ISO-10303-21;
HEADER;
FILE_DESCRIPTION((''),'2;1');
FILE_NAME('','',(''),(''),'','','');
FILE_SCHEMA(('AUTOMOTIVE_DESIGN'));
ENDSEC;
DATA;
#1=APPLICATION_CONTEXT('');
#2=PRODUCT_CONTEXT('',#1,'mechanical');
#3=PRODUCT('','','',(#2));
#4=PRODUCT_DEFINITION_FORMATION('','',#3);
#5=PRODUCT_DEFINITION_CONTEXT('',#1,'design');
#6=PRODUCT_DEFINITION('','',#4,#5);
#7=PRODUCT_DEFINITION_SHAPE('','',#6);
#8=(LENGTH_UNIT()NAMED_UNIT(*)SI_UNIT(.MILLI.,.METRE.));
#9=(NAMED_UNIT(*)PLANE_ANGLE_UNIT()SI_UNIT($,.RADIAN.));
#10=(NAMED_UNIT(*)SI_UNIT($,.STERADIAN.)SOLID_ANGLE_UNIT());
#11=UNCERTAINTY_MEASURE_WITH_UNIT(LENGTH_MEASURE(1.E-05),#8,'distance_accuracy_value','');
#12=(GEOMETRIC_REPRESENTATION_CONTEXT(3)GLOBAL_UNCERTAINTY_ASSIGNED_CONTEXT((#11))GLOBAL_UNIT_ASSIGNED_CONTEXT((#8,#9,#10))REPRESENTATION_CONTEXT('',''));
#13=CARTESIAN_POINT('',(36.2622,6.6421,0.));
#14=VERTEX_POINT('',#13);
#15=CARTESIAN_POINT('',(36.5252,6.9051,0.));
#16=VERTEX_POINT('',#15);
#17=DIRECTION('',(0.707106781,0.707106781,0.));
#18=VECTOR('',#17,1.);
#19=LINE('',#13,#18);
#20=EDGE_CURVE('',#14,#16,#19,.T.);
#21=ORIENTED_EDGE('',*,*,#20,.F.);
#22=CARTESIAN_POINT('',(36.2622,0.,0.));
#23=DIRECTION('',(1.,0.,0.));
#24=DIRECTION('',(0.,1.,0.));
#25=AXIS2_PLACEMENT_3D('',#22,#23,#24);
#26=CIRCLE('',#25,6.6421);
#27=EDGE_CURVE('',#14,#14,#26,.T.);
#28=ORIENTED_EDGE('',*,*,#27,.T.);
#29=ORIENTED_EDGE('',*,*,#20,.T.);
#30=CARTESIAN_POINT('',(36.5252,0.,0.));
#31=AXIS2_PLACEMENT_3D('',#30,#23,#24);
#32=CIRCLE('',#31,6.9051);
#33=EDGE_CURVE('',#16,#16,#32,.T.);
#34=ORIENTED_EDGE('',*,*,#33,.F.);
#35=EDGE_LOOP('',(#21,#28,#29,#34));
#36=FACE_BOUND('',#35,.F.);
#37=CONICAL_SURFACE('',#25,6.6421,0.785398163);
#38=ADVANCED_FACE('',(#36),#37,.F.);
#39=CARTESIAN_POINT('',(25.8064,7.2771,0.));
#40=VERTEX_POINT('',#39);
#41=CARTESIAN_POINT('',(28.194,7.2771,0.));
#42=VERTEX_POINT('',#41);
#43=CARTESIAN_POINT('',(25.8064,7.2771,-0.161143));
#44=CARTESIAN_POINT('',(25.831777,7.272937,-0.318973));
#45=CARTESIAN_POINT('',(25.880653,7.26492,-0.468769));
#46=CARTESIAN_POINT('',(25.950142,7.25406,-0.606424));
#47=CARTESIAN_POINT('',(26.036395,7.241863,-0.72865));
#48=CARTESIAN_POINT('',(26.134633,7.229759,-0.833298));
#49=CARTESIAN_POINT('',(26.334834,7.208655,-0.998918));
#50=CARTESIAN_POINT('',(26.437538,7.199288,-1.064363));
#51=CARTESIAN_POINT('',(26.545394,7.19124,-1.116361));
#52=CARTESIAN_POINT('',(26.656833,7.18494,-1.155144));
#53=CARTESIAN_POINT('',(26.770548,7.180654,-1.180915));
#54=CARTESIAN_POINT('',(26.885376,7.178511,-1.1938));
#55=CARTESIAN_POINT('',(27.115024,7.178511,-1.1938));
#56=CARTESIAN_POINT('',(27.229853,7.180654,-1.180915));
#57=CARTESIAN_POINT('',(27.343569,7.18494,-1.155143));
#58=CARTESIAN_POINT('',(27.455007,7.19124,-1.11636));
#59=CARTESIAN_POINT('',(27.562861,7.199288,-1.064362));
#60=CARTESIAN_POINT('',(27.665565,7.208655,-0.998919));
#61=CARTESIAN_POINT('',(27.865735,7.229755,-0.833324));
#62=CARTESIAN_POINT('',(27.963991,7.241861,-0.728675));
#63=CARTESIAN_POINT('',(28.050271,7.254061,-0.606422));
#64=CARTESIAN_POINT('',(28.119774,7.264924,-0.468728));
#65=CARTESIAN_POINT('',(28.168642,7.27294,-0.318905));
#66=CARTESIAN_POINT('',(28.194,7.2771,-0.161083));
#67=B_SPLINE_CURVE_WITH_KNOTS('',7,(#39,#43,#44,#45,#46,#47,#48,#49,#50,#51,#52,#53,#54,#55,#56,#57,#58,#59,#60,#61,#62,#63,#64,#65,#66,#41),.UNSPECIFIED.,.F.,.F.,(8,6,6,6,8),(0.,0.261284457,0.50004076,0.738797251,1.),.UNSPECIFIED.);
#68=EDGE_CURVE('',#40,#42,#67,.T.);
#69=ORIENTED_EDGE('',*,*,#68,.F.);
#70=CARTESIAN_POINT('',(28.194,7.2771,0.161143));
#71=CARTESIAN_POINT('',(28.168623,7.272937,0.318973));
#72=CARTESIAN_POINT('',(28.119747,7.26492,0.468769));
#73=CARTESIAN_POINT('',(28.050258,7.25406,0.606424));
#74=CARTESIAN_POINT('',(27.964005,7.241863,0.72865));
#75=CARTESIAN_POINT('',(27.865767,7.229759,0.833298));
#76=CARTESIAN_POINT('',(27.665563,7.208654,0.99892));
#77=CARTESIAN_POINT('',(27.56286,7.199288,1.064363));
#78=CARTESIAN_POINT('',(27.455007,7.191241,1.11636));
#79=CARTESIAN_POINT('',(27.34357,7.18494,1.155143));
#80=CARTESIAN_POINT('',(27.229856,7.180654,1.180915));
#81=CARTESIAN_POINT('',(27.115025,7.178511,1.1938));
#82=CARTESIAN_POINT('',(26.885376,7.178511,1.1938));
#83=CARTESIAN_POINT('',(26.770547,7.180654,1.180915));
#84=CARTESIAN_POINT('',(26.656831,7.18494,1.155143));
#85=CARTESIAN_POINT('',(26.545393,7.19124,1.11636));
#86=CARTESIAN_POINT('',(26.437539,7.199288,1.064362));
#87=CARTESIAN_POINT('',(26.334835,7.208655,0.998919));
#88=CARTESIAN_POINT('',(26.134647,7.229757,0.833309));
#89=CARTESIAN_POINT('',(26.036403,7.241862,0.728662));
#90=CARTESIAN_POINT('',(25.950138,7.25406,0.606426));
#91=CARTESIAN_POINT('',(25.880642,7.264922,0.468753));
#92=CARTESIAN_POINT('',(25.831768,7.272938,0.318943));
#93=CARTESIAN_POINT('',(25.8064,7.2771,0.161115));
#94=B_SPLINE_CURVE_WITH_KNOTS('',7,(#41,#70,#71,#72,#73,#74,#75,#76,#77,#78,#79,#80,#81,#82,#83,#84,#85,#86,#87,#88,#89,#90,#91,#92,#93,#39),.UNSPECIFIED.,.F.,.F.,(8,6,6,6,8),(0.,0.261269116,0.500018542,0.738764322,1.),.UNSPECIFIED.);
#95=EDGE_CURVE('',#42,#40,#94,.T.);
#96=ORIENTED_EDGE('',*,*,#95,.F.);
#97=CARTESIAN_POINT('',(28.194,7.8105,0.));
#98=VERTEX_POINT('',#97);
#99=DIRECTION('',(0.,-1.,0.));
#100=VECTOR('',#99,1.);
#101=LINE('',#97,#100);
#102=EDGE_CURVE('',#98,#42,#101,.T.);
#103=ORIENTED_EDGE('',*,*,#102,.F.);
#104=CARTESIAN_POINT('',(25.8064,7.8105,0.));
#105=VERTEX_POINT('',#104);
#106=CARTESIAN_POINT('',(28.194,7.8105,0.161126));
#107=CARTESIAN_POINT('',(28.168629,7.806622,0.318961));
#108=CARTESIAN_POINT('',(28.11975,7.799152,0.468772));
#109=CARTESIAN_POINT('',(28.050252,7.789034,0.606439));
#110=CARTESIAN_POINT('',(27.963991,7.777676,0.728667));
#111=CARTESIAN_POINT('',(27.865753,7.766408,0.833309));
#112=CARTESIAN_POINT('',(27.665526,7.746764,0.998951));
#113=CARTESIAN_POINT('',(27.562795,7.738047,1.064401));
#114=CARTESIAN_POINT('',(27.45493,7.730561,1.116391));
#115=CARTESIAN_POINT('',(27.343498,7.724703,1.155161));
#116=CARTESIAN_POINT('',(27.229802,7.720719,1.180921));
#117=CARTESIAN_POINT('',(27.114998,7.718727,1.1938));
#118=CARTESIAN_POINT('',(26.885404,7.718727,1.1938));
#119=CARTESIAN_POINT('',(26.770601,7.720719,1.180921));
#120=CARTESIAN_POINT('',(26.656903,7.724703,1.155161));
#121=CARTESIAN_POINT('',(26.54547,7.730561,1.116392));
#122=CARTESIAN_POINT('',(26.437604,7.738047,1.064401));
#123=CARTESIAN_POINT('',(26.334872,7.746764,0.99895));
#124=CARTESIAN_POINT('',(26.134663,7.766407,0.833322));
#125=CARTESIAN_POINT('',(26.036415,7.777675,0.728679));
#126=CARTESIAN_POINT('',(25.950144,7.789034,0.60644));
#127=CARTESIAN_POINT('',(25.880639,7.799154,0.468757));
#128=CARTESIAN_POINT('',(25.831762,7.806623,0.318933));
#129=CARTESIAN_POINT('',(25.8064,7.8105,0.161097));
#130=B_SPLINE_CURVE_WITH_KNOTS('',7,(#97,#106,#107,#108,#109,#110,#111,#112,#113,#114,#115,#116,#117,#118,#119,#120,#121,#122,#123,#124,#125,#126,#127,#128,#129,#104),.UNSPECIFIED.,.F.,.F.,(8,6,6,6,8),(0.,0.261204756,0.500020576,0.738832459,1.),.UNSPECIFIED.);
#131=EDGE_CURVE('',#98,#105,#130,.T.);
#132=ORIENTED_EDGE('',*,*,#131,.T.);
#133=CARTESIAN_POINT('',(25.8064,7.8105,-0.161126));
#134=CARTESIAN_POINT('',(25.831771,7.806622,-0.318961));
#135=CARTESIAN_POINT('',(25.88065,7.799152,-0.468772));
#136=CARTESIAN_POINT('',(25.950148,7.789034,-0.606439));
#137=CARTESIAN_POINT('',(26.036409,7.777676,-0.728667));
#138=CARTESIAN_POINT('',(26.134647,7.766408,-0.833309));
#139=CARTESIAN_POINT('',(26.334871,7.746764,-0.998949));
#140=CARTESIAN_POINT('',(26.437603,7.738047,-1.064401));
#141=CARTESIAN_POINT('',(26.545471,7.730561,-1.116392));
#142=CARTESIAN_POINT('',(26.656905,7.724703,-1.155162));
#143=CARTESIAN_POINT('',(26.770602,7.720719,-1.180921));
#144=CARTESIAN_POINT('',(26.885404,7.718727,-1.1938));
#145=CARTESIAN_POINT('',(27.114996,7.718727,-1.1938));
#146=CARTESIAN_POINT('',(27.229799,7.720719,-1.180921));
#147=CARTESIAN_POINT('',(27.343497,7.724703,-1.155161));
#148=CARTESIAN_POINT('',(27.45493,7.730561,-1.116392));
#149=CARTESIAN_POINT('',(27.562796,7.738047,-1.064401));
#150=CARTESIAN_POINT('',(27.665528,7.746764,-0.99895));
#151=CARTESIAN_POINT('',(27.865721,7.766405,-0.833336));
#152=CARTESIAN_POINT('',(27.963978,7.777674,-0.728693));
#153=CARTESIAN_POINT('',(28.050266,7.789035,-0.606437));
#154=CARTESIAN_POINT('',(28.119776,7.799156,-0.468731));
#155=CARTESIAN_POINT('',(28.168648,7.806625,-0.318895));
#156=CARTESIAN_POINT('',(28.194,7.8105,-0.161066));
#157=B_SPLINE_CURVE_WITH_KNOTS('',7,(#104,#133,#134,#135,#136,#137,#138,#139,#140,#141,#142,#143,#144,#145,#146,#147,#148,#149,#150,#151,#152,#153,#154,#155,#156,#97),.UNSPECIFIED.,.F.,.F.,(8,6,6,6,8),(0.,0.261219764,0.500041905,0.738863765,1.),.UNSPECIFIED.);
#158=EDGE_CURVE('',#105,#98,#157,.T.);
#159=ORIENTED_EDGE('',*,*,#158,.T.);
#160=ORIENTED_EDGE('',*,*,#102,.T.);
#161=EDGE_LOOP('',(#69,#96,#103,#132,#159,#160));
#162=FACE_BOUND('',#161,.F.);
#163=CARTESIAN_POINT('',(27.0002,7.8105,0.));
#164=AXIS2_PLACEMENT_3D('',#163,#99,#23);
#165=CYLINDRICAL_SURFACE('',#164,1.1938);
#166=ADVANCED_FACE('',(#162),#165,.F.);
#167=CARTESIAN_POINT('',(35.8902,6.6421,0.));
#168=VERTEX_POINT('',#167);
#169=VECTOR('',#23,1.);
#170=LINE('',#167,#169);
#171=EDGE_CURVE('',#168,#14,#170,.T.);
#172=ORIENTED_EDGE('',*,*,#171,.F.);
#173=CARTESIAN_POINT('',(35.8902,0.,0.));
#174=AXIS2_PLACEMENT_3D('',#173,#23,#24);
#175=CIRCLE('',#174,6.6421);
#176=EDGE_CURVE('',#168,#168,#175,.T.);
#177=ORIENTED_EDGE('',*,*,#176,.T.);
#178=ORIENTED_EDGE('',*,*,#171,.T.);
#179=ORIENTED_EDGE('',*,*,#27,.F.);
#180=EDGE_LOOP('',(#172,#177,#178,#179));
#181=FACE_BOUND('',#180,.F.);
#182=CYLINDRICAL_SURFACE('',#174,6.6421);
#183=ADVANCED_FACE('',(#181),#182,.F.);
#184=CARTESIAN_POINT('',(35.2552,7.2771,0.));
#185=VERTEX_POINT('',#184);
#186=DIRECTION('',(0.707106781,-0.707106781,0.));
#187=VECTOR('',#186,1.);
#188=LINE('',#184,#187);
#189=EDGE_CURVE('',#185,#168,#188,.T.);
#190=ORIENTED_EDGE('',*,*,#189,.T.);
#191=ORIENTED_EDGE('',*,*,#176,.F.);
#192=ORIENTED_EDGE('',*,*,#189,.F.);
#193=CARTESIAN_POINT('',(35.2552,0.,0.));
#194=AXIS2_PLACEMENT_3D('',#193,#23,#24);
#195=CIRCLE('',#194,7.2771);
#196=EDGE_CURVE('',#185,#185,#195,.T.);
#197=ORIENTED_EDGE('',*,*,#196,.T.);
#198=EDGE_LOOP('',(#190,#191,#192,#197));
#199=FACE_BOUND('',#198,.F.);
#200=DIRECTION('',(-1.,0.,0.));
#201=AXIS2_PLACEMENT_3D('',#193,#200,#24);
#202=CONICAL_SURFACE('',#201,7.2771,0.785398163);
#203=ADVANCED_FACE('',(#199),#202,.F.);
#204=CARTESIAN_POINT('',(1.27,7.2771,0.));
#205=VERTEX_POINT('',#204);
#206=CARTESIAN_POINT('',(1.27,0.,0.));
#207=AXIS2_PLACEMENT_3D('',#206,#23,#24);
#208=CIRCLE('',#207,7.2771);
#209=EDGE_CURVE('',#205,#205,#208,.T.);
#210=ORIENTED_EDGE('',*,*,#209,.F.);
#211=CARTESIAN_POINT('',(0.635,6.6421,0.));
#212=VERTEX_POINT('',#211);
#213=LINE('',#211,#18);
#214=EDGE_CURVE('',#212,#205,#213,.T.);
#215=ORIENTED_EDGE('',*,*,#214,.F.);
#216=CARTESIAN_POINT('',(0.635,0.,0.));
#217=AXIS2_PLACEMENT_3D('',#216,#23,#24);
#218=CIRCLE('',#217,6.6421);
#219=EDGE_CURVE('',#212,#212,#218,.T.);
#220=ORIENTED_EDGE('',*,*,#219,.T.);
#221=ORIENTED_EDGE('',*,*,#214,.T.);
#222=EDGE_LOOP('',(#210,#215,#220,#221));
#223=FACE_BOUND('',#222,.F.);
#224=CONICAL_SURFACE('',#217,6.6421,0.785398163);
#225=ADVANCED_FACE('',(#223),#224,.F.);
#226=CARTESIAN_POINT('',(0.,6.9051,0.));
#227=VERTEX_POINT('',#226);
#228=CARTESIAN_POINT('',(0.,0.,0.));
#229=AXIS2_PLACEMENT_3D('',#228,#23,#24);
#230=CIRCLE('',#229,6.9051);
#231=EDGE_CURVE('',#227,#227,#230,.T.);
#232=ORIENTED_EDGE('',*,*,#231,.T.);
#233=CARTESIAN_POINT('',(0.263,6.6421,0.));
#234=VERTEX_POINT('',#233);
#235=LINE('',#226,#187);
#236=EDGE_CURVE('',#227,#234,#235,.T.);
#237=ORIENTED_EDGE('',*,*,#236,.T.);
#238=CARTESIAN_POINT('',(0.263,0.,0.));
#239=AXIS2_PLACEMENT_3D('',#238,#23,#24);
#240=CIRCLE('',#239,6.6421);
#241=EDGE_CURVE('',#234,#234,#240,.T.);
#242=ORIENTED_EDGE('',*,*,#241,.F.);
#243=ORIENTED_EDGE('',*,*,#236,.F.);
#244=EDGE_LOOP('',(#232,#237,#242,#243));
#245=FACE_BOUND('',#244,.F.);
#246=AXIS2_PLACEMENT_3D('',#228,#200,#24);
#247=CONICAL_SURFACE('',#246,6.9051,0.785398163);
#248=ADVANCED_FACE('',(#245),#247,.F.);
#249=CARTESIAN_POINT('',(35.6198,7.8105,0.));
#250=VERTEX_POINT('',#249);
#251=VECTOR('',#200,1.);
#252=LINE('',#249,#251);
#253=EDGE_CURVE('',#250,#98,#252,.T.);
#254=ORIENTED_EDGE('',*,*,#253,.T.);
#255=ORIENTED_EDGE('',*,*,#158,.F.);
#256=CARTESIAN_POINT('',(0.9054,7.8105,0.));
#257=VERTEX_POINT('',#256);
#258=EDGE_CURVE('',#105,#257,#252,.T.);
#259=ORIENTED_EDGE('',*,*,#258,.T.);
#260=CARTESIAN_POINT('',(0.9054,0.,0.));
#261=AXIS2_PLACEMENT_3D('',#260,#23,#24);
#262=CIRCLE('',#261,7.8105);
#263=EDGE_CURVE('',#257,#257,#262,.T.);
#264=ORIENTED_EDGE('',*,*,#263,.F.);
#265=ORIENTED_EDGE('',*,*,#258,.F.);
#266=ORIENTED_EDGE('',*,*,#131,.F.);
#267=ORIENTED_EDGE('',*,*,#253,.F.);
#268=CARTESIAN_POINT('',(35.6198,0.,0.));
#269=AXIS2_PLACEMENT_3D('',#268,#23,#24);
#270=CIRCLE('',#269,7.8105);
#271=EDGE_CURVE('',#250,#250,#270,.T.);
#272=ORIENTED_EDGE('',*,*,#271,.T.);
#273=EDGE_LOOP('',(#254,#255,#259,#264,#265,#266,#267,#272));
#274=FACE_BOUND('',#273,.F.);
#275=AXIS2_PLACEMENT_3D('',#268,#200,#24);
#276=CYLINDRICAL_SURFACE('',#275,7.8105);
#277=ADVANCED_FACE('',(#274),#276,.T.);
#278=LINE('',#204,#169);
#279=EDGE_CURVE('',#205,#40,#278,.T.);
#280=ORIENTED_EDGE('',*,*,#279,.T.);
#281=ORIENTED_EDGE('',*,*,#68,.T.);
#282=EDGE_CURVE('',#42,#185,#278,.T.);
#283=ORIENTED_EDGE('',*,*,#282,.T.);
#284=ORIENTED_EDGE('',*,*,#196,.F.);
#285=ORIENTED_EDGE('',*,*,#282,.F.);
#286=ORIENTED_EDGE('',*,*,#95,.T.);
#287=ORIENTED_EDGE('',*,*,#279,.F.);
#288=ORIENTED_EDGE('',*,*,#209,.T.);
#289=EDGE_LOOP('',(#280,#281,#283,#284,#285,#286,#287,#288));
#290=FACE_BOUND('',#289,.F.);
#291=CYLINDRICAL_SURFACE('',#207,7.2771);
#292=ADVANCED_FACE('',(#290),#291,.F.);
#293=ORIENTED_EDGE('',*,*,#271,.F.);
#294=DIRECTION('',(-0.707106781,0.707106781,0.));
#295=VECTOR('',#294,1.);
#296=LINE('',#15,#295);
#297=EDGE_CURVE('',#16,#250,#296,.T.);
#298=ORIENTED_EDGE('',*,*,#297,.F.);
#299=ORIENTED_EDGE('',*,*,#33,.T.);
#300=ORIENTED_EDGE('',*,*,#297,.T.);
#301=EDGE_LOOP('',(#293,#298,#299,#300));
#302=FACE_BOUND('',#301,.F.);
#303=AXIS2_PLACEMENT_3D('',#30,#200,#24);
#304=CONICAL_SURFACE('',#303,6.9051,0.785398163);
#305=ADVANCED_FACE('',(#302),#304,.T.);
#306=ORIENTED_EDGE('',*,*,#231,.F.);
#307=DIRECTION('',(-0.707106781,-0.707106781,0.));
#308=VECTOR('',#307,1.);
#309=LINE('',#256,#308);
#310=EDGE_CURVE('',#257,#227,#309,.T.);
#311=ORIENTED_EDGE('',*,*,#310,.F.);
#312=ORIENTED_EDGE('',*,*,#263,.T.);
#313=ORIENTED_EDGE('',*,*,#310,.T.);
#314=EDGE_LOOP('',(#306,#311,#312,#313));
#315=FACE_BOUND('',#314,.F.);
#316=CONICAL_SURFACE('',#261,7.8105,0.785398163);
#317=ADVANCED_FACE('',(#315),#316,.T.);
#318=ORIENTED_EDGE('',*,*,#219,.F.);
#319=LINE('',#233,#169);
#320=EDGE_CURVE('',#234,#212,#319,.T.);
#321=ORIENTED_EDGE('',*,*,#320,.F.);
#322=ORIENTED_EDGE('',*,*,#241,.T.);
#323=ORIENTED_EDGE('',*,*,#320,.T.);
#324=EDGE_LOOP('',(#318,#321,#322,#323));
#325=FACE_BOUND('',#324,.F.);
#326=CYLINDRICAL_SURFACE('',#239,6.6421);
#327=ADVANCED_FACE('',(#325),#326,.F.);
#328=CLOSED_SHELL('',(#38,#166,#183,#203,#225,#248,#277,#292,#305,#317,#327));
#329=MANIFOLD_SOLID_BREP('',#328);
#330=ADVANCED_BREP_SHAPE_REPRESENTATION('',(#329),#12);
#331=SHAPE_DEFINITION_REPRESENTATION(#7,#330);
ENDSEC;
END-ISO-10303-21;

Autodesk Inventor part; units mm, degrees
sketch "Sketch_5" plane through (0, 0, 0) normal (0, 0, 1) x (1, 0, 0)
  line L0 (36.5252, 0) -> (-36.5252, 0)
  line L1 (0, 6.9051) -> (0.263, 6.6421)
  line L2 (0.263, 6.6421) -> (0.635, 6.6421)
  line L3 (0.635, 6.6421) -> (1.27, 7.2771)
  line L4 (1.27, 7.2771) -> (35.2552, 7.2771)
  line L5 (35.2552, 7.2771) -> (35.8902, 6.6421)
  line L6 (35.8902, 6.6421) -> (36.2622, 6.6421)
  line L7 (36.2622, 6.6421) -> (36.5252, 6.9051)
  line L8 (36.5252, 6.9051) -> (35.6198, 7.8105)
  line L9 (35.6198, 7.8105) -> (0.9054, 7.8105)
  line L10 (0.9054, 7.8105) -> (0, 6.9051)
revolve "Revolution1" add sketch "Sketch_5" angle 360 about axis through (36.5252, 0, 0) along (1, 0, 0)
sketch "Sketch_1" plane through (0, 0, 0) normal (0, 0, 1) x (1, 0, 0)
  line L0 (27.0002, 0) -> (27.0002, 7.8105)
  line L1 (27.0002, 7.8105) -> (28.194, 7.8105)
  line L2 (28.194, 7.8105) -> (28.194, 0)
  line L3 (28.194, 0) -> (27.0002, 0)
  line L4 (27.0002, 0) -> (27.0002, 7.8105)
revolve "Revolution2" cut sketch "Sketch_1" angle 360 about axis through (27.0002, 0, 0) along (0, -1, 0)
ref_plane "o1_XY" through (0, -7.8105, 0) normal (1, 0, 0) x (0, 0, -1)
ref_plane "o1_YZ" through (0, -7.8105, 0) normal (0, 0, -1) x (0, 1, 0)
ref_plane "o1_ZX" through (0, -7.8105, 0) normal (0, 1, 0) x (1, 0, 0)
ref_plane "o2_XY" through (0, 7.8105, 0) normal (1, 0, 0) x (0, 0, -1)
ref_plane "o2_YZ" through (0, 7.8105, 0) normal (0, 0, -1) x (0, 1, 0)
ref_plane "o2_ZX" through (0, 7.8105, 0) normal (0, 1, 0) x (1, 0, 0)
ref_plane "t1_XY" through (18.2626, 7.8105, 0) normal (1, 0, 0) x (0, 0, -1)
ref_plane "t1_YZ" through (18.2626, 7.8105, 0) normal (0, 0, -1) x (0, 1, 0)
ref_plane "t1_ZX" through (18.2626, 7.8105, 0) normal (0, 1, 0) x (1, 0, 0)
ref_plane "t2_XY" through (18.2626, 0, -7.8105) normal (1, 0, 0) x (0, 0, -1)
ref_plane "t2_YZ" through (18.2626, 0, -7.8105) normal (0, 0, -1) x (0, 1, 0)
ref_plane "t2_ZX" through (18.2626, 0, -7.8105) normal (0, 1, 0) x (1, 0, 0)
ref_plane "t3_XY" through (18.2626, -7.8105, 0) normal (1, 0, 0) x (0, 0, -1)
ref_plane "t3_YZ" through (18.2626, -7.8105, 0) normal (0, 0, -1) x (0, 1, 0)
ref_plane "t3_ZX" through (18.2626, -7.8105, 0) normal (0, 1, 0) x (1, 0, 0)
ref_plane "t4_XY" through (18.2626, 0, 7.8105) normal (1, 0, 0) x (0, 0, -1)
ref_plane "t4_YZ" through (18.2626, 0, 7.8105) normal (0, 0, -1) x (0, 1, 0)
ref_plane "t4_ZX" through (18.2626, 0, 7.8105) normal (0, 1, 0) x (1, 0, 0)
ref_plane "tube1_XY" through (1.27, 0, 0) normal (1, 0, 0) x (0, 0, -1)
ref_plane "tube1_YZ" through (1.27, 0, 0) normal (0, 0, -1) x (0, 1, 0)
ref_plane "tube1_ZX" through (1.27, 0, 0) normal (0, 1, 0) x (1, 0, 0)
ref_plane "tube2_XY" through (35.2552, 0, 0) normal (1, 0, 0) x (0, 0, -1)
ref_plane "tube2_YZ" through (35.2552, 0, 0) normal (0, 0, -1) x (0, 1, 0)
ref_plane "tube2_ZX" through (35.2552, 0, 0) normal (0, 1, 0) x (1, 0, 0)
properties part number "D-75938XP-1.438"
